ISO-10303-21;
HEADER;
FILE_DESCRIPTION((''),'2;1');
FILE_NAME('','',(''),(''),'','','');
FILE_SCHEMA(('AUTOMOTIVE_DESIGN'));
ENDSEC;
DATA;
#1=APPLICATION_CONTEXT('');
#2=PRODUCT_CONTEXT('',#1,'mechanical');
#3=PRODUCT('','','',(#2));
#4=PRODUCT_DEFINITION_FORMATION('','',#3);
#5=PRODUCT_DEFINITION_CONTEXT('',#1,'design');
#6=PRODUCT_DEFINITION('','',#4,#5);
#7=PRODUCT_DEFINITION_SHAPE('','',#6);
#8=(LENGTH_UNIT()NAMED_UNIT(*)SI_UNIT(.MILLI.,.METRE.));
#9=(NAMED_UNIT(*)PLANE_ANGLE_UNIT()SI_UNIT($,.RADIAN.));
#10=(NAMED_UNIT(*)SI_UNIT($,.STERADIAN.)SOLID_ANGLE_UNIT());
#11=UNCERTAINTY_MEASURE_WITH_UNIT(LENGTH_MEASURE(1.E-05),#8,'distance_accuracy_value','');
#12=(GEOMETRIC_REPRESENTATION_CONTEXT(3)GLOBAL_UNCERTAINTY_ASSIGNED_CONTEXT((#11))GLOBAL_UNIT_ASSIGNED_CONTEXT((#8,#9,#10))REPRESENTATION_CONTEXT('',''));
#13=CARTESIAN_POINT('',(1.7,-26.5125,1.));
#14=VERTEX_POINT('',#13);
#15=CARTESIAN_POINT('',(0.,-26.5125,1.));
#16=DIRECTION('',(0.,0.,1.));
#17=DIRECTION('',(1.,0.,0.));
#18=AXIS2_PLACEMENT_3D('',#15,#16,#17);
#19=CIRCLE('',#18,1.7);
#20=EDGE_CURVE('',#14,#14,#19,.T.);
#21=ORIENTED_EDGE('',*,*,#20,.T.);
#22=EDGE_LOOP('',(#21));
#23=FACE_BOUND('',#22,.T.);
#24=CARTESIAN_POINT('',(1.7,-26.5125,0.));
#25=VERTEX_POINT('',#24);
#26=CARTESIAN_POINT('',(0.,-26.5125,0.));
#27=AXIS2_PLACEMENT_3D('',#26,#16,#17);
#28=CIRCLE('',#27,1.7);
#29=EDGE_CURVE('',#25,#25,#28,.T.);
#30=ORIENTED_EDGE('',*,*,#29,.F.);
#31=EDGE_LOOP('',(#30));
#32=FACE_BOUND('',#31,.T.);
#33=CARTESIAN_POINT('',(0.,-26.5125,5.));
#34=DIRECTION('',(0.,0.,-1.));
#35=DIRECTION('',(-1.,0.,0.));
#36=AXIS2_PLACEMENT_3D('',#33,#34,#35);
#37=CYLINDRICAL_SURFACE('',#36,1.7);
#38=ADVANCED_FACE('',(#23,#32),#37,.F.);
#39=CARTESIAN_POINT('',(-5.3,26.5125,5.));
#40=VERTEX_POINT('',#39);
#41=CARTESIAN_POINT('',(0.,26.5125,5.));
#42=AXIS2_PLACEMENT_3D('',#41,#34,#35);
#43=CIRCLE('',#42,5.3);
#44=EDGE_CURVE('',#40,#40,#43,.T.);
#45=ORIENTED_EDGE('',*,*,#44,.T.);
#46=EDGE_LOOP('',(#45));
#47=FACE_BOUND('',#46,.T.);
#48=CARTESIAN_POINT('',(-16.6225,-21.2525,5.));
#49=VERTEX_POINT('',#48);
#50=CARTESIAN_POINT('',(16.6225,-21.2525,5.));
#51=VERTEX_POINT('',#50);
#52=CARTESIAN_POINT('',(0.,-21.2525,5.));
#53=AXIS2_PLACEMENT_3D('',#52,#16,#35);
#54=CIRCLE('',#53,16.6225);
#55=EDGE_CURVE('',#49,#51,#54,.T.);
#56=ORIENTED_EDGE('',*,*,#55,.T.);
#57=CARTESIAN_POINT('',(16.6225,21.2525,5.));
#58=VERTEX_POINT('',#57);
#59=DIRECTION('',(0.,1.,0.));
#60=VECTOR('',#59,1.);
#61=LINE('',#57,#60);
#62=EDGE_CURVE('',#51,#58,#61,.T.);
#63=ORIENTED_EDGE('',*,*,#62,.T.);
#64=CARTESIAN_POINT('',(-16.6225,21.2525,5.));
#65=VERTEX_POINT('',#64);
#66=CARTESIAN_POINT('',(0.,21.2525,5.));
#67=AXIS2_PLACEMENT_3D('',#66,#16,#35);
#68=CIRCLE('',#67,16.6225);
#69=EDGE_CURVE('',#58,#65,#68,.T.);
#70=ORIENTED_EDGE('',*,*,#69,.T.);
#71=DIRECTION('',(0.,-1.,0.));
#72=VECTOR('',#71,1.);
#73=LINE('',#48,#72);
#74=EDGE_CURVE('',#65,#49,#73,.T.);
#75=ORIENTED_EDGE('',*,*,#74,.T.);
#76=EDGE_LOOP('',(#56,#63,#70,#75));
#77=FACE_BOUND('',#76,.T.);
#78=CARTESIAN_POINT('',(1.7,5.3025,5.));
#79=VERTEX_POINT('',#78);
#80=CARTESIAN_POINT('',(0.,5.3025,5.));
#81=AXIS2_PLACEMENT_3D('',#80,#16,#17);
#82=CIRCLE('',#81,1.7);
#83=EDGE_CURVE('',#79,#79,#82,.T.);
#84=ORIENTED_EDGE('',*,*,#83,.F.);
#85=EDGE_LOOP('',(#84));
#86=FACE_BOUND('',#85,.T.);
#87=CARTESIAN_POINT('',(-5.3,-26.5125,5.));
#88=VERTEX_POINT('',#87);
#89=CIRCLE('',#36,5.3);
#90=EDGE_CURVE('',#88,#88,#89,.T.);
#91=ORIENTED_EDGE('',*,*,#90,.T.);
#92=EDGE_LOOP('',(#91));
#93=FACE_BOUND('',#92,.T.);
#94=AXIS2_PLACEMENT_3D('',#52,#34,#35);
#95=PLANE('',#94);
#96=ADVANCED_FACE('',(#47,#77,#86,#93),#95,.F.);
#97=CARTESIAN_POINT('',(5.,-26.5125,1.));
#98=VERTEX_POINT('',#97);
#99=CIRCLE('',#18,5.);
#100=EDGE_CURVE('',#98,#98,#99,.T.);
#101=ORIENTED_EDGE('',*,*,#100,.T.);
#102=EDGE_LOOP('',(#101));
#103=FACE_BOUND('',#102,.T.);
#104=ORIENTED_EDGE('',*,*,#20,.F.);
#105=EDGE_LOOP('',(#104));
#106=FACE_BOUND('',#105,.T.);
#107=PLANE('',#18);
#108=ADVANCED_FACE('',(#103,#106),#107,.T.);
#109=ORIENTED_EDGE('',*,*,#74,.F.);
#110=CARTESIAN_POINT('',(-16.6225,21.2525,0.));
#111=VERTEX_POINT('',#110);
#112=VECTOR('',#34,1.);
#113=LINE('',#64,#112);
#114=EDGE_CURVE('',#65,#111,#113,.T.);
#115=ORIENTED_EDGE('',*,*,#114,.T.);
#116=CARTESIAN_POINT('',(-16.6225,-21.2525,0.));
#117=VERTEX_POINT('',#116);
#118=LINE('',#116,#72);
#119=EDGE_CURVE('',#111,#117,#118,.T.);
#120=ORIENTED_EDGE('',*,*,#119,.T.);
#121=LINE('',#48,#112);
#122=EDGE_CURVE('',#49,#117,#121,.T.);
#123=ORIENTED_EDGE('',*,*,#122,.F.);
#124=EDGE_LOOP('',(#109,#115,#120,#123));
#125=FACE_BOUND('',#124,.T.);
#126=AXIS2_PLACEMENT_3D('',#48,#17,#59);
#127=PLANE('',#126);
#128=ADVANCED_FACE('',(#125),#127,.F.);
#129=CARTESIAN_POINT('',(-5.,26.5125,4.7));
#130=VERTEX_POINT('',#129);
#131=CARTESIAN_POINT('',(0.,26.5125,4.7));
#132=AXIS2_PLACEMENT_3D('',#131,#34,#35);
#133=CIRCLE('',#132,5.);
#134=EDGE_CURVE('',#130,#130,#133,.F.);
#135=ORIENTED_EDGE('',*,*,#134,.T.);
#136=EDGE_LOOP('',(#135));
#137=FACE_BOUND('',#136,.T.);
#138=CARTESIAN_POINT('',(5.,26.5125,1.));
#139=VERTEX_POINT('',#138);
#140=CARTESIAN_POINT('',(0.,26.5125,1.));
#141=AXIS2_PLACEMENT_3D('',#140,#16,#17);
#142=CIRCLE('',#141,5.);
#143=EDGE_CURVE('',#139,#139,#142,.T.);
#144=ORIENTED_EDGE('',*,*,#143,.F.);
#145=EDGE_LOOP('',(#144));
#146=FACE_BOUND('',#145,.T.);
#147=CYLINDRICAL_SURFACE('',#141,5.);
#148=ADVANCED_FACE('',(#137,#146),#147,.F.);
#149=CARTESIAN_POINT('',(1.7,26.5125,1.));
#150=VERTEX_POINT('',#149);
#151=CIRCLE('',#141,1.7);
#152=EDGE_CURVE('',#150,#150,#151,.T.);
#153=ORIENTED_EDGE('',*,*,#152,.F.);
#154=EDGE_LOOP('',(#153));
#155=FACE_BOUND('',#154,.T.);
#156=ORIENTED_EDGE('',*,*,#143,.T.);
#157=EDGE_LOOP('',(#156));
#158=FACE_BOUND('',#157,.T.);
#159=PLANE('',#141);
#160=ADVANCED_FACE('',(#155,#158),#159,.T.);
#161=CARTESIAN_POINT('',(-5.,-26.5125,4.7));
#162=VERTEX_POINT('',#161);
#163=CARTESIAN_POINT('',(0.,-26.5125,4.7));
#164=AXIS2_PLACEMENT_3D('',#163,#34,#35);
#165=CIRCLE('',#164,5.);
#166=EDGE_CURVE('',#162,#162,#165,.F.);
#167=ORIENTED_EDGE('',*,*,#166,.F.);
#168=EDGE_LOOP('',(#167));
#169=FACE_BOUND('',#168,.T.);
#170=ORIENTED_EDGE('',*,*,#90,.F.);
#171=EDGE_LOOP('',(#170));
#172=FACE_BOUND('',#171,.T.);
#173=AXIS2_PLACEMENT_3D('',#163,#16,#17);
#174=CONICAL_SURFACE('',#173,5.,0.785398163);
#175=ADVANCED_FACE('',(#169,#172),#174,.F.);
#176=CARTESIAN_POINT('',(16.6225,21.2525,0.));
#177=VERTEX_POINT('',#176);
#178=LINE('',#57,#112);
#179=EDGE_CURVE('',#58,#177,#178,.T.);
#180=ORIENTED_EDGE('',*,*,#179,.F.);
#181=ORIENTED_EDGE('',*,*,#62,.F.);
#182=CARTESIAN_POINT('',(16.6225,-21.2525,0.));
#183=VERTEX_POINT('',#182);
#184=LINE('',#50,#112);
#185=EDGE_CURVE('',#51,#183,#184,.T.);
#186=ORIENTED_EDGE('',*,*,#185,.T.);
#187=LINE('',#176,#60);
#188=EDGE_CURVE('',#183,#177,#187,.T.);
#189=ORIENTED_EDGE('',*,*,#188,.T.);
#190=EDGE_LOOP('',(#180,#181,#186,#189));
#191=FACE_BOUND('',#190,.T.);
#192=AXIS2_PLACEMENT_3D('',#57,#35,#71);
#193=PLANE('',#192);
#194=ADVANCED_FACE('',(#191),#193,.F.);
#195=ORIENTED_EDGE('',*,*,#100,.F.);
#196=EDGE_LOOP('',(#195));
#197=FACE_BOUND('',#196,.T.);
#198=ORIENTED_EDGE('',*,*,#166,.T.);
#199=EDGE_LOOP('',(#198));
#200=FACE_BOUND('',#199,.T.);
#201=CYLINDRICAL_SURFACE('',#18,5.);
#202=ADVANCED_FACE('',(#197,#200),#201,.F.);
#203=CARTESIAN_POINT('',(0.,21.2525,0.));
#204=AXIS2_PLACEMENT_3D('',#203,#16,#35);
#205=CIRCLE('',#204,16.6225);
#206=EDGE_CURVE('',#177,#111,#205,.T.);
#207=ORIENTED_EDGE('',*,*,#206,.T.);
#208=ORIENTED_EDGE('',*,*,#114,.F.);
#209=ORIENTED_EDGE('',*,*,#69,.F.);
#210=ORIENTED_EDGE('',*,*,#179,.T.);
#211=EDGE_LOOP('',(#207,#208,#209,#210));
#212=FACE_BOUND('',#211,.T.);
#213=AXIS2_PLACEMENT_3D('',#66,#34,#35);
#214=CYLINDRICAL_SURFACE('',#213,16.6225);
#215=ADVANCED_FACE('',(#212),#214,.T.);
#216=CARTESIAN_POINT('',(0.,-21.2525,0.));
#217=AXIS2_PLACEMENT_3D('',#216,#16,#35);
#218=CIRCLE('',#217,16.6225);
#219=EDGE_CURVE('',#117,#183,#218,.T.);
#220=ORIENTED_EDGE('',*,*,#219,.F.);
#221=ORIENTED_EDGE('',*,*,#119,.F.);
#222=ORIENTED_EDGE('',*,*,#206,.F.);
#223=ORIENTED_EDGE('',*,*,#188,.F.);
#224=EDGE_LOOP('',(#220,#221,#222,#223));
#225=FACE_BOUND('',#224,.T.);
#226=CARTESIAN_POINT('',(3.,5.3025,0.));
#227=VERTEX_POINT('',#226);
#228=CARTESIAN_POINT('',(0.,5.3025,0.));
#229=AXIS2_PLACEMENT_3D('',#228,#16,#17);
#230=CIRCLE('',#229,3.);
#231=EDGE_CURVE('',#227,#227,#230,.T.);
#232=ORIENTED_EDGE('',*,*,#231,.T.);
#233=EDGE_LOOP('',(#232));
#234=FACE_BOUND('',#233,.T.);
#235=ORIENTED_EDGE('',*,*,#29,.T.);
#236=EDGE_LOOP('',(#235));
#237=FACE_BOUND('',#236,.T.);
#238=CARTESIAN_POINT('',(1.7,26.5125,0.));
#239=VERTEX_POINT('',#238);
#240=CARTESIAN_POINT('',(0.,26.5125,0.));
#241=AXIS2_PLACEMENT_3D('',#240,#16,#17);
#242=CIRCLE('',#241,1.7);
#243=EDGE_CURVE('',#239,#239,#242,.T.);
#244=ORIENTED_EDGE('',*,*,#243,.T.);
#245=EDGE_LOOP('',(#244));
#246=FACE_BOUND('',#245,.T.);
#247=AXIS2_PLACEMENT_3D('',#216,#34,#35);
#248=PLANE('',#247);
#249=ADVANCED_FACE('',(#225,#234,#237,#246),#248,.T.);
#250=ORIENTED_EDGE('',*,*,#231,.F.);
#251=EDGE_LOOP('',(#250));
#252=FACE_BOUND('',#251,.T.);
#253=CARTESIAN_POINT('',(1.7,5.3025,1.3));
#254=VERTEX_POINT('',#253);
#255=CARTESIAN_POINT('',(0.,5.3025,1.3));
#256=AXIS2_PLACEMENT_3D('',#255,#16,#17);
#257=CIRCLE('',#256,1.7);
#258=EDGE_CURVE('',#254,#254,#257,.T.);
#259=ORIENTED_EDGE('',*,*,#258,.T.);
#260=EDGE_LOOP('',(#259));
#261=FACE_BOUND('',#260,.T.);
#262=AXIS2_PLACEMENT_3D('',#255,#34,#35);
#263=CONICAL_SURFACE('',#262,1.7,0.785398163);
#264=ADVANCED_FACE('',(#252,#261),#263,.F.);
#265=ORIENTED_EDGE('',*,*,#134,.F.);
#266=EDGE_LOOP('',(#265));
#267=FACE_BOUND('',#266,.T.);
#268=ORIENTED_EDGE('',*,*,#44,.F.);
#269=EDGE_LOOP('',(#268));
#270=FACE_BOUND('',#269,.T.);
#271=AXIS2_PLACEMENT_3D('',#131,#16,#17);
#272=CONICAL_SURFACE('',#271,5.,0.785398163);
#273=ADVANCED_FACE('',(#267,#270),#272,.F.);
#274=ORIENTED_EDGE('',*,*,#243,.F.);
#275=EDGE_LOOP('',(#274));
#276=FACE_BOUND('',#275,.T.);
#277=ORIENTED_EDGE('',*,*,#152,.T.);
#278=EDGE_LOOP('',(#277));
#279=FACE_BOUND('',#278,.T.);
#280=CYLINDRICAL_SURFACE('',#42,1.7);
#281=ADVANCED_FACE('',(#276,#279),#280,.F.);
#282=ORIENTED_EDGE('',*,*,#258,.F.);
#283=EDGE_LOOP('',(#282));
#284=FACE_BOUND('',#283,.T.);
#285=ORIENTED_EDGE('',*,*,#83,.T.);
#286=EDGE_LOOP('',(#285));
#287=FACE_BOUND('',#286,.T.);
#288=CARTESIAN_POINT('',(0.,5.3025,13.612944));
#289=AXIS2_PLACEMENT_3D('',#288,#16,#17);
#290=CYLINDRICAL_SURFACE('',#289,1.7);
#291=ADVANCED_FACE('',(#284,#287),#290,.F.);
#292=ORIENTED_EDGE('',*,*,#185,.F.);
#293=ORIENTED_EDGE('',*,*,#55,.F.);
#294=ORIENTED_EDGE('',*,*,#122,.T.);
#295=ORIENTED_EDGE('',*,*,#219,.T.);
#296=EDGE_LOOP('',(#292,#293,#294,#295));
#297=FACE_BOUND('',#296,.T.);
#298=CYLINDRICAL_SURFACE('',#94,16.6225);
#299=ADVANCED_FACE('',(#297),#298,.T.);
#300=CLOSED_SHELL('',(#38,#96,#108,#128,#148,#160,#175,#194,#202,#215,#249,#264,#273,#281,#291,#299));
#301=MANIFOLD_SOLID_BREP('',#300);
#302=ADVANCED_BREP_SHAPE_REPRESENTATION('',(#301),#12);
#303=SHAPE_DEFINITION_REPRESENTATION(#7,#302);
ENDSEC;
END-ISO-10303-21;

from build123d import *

# Parameters (mm, degrees)
SKETCH1_R           = 1.7
BOSS_EXTRUDE1_DEPTH = 5
SKETCH3_R           = 5
CUT_EXTRUDE1_DEPTH  = 4
CHAMFER1_SIZE       = 0.3


with BuildPart() as part:
    # Sketch1 → Boss-Extrude1 (new body)
    with BuildSketch(Plane.XY):
        with BuildLine():
            Line((-16.6225, -21.2525), (-16.6225, 21.2525))
            ThreePointArc((-16.6225, 21.2525), (0, 37.875), (16.6225, 21.2525))
            Line((16.6225, 21.2525), (16.6225, -21.2525))
            ThreePointArc((16.6225, -21.2525), (0, -37.875), (-16.6225, -21.2525))
        make_face()
        with Locations((0, 26.5125)):
            Circle(SKETCH1_R, mode=Mode.SUBTRACT)
        with Locations((0, -26.5125)):
            Circle(SKETCH1_R, mode=Mode.SUBTRACT)
    extrude(amount=BOSS_EXTRUDE1_DEPTH)

    # Sketch3 → Cut-Extrude1 (cut)
    with BuildSketch(Plane.XY.offset(5)):
        with Locations((0, 26.5125)):
            Circle(SKETCH3_R)
        with Locations((0, -26.5125)):
            Circle(SKETCH3_R)
    extrude(amount=-CUT_EXTRUDE1_DEPTH, mode=Mode.SUBTRACT)

    # Sketch2 → Cut-Revolve1 (revolve, cut)
    with BuildSketch(Plane(origin=(0, 0, 0), x_dir=(0, 0, -1), z_dir=(1, 0, 0)), mode=Mode.PRIVATE) as cut_revolve1_sk:
        Polygon((-5, 5.3025), (0, 5.3025), (0, 2.3025), (-1.3, 3.6025), (-5, 3.6025), align=None)
    revolve(cut_revolve1_sk.sketch.rotate(Axis((0, 5.3025, 13.61294397), (0, 0, -1)), 270), axis=Axis((0, 5.3025, 13.61294397), (0, 0, -1)), mode=Mode.SUBTRACT)

    # Chamfer1
    chamfer1_edges = [part.edges().sort_by_distance(p)[0] for p in [
        (-5, 26.5125, 5),
        (-5, -26.5125, 5),
    ]]
    chamfer(chamfer1_edges, length=CHAMFER1_SIZE)


solid = part.part
